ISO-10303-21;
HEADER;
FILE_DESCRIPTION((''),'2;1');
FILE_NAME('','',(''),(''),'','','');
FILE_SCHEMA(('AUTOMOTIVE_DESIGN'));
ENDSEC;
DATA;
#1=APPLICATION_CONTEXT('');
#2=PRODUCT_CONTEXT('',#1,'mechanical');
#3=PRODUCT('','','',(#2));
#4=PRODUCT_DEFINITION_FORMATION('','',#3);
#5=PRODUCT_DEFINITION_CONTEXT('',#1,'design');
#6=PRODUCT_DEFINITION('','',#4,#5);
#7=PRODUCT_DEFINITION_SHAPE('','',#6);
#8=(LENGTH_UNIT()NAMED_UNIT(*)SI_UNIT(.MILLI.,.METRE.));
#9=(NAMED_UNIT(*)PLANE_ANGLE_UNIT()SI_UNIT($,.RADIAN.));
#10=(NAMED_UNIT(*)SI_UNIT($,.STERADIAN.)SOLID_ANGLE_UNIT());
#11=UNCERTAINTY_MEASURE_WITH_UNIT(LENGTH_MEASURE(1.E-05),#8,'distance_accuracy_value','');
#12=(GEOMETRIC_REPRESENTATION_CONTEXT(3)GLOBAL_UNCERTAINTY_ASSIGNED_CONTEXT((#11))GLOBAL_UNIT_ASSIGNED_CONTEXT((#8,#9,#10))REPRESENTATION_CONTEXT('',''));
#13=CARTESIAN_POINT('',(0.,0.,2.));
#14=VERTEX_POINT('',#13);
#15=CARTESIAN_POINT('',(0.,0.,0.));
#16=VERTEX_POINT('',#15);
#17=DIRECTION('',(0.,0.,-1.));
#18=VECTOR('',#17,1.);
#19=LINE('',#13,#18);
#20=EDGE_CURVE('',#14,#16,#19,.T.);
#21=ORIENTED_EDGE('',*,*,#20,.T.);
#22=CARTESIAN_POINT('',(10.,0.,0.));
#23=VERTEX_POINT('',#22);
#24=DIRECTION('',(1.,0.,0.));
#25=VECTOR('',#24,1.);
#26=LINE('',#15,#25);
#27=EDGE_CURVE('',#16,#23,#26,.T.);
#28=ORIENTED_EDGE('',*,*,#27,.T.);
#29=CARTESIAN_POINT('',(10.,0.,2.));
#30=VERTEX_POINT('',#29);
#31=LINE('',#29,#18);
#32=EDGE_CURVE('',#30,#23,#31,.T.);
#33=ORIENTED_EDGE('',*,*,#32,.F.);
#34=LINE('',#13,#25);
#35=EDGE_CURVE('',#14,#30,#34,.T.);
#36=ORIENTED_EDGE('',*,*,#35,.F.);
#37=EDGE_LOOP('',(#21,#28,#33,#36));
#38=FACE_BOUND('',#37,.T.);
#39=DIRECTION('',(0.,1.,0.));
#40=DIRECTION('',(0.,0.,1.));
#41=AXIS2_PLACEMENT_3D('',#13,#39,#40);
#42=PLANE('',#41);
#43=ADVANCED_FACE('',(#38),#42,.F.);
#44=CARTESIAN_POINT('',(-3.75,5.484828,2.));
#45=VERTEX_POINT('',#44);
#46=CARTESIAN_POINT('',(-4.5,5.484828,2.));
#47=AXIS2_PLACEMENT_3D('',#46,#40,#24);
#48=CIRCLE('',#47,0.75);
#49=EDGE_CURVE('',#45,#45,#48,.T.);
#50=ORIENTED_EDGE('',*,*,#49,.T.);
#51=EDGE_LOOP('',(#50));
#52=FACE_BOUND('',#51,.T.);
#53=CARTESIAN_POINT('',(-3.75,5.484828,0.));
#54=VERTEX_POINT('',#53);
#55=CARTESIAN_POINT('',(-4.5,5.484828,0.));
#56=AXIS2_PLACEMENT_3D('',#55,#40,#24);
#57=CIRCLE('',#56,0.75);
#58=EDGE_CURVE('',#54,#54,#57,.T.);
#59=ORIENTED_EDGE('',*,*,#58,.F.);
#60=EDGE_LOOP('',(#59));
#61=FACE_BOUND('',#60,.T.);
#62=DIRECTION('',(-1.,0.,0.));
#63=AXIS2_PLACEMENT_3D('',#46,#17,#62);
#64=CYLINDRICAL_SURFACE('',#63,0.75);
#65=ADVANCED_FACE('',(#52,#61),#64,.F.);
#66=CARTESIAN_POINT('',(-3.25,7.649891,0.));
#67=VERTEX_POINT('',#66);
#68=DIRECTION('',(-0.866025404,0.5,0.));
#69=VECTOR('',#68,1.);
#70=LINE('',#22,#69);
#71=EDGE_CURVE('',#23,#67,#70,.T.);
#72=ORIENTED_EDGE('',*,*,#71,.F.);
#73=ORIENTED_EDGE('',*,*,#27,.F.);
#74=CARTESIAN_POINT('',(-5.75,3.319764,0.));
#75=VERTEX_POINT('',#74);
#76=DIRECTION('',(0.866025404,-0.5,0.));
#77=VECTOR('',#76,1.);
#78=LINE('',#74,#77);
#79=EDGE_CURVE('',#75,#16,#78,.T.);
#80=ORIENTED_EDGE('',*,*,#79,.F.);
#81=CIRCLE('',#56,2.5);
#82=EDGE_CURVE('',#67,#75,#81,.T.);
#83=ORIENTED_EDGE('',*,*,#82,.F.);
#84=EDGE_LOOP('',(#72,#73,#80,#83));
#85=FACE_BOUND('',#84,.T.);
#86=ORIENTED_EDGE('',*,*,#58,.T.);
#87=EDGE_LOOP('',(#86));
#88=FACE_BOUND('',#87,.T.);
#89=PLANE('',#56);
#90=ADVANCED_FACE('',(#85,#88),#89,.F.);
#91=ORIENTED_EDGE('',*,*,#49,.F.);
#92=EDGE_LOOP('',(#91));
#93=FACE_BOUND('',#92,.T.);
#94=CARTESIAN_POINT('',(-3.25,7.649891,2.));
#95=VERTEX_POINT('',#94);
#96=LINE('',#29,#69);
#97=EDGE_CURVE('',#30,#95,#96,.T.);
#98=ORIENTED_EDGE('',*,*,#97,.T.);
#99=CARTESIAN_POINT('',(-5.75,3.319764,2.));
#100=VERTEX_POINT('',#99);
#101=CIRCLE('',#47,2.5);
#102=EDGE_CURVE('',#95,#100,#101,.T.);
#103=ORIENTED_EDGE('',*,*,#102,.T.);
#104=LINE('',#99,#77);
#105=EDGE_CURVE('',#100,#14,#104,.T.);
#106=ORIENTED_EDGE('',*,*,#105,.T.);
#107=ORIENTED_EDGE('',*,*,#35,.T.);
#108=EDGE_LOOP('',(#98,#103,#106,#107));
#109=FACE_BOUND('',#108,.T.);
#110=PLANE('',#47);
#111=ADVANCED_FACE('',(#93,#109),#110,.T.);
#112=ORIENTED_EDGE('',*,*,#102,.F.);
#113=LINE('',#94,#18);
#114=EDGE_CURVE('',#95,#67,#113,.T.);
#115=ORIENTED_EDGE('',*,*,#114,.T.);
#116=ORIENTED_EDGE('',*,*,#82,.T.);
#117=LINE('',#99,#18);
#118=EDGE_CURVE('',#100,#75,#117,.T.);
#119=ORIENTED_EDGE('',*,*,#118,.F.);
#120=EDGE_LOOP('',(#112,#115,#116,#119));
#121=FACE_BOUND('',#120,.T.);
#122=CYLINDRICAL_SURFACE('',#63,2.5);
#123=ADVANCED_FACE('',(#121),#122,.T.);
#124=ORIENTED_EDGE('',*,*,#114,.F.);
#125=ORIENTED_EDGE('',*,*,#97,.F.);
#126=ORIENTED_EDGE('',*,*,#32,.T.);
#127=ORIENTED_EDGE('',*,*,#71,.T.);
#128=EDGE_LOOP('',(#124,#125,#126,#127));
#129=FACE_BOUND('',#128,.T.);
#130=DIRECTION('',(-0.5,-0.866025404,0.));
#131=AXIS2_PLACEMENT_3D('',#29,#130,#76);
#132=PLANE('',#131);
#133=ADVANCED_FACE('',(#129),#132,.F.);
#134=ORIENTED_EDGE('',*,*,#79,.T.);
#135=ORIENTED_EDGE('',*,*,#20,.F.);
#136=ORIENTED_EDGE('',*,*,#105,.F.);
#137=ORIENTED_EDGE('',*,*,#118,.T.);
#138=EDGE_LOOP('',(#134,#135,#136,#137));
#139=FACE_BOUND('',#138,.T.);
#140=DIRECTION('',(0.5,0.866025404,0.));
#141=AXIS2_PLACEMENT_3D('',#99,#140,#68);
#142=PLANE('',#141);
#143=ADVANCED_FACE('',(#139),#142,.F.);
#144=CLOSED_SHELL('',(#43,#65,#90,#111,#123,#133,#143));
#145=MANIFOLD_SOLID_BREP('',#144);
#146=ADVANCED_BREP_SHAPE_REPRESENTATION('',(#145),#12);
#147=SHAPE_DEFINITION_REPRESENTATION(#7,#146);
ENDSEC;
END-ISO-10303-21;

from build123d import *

# Parameters (mm, degrees)
SKETCH1_R           = 0.75
BOSS_EXTRUDE1_DEPTH = 2


with BuildPart() as part:
    # Sketch1 → Boss-Extrude1 (new body)
    with BuildSketch(Plane.XY):
        with BuildLine():
            Line((0, 0), (10, 0))
            Line((10, 0), (-3.25, 7.649891067))
            ThreePointArc((-3.25, 7.649891067), (-6.665063509, 6.734827557), (-5.75, 3.319764048))
            Line((-5.75, 3.319764048), (0, 0))
        make_face()
        with Locations((-4.5, 5.484827557)):
            Circle(SKETCH1_R, mode=Mode.SUBTRACT)
    extrude(amount=BOSS_EXTRUDE1_DEPTH)


solid = part.part
